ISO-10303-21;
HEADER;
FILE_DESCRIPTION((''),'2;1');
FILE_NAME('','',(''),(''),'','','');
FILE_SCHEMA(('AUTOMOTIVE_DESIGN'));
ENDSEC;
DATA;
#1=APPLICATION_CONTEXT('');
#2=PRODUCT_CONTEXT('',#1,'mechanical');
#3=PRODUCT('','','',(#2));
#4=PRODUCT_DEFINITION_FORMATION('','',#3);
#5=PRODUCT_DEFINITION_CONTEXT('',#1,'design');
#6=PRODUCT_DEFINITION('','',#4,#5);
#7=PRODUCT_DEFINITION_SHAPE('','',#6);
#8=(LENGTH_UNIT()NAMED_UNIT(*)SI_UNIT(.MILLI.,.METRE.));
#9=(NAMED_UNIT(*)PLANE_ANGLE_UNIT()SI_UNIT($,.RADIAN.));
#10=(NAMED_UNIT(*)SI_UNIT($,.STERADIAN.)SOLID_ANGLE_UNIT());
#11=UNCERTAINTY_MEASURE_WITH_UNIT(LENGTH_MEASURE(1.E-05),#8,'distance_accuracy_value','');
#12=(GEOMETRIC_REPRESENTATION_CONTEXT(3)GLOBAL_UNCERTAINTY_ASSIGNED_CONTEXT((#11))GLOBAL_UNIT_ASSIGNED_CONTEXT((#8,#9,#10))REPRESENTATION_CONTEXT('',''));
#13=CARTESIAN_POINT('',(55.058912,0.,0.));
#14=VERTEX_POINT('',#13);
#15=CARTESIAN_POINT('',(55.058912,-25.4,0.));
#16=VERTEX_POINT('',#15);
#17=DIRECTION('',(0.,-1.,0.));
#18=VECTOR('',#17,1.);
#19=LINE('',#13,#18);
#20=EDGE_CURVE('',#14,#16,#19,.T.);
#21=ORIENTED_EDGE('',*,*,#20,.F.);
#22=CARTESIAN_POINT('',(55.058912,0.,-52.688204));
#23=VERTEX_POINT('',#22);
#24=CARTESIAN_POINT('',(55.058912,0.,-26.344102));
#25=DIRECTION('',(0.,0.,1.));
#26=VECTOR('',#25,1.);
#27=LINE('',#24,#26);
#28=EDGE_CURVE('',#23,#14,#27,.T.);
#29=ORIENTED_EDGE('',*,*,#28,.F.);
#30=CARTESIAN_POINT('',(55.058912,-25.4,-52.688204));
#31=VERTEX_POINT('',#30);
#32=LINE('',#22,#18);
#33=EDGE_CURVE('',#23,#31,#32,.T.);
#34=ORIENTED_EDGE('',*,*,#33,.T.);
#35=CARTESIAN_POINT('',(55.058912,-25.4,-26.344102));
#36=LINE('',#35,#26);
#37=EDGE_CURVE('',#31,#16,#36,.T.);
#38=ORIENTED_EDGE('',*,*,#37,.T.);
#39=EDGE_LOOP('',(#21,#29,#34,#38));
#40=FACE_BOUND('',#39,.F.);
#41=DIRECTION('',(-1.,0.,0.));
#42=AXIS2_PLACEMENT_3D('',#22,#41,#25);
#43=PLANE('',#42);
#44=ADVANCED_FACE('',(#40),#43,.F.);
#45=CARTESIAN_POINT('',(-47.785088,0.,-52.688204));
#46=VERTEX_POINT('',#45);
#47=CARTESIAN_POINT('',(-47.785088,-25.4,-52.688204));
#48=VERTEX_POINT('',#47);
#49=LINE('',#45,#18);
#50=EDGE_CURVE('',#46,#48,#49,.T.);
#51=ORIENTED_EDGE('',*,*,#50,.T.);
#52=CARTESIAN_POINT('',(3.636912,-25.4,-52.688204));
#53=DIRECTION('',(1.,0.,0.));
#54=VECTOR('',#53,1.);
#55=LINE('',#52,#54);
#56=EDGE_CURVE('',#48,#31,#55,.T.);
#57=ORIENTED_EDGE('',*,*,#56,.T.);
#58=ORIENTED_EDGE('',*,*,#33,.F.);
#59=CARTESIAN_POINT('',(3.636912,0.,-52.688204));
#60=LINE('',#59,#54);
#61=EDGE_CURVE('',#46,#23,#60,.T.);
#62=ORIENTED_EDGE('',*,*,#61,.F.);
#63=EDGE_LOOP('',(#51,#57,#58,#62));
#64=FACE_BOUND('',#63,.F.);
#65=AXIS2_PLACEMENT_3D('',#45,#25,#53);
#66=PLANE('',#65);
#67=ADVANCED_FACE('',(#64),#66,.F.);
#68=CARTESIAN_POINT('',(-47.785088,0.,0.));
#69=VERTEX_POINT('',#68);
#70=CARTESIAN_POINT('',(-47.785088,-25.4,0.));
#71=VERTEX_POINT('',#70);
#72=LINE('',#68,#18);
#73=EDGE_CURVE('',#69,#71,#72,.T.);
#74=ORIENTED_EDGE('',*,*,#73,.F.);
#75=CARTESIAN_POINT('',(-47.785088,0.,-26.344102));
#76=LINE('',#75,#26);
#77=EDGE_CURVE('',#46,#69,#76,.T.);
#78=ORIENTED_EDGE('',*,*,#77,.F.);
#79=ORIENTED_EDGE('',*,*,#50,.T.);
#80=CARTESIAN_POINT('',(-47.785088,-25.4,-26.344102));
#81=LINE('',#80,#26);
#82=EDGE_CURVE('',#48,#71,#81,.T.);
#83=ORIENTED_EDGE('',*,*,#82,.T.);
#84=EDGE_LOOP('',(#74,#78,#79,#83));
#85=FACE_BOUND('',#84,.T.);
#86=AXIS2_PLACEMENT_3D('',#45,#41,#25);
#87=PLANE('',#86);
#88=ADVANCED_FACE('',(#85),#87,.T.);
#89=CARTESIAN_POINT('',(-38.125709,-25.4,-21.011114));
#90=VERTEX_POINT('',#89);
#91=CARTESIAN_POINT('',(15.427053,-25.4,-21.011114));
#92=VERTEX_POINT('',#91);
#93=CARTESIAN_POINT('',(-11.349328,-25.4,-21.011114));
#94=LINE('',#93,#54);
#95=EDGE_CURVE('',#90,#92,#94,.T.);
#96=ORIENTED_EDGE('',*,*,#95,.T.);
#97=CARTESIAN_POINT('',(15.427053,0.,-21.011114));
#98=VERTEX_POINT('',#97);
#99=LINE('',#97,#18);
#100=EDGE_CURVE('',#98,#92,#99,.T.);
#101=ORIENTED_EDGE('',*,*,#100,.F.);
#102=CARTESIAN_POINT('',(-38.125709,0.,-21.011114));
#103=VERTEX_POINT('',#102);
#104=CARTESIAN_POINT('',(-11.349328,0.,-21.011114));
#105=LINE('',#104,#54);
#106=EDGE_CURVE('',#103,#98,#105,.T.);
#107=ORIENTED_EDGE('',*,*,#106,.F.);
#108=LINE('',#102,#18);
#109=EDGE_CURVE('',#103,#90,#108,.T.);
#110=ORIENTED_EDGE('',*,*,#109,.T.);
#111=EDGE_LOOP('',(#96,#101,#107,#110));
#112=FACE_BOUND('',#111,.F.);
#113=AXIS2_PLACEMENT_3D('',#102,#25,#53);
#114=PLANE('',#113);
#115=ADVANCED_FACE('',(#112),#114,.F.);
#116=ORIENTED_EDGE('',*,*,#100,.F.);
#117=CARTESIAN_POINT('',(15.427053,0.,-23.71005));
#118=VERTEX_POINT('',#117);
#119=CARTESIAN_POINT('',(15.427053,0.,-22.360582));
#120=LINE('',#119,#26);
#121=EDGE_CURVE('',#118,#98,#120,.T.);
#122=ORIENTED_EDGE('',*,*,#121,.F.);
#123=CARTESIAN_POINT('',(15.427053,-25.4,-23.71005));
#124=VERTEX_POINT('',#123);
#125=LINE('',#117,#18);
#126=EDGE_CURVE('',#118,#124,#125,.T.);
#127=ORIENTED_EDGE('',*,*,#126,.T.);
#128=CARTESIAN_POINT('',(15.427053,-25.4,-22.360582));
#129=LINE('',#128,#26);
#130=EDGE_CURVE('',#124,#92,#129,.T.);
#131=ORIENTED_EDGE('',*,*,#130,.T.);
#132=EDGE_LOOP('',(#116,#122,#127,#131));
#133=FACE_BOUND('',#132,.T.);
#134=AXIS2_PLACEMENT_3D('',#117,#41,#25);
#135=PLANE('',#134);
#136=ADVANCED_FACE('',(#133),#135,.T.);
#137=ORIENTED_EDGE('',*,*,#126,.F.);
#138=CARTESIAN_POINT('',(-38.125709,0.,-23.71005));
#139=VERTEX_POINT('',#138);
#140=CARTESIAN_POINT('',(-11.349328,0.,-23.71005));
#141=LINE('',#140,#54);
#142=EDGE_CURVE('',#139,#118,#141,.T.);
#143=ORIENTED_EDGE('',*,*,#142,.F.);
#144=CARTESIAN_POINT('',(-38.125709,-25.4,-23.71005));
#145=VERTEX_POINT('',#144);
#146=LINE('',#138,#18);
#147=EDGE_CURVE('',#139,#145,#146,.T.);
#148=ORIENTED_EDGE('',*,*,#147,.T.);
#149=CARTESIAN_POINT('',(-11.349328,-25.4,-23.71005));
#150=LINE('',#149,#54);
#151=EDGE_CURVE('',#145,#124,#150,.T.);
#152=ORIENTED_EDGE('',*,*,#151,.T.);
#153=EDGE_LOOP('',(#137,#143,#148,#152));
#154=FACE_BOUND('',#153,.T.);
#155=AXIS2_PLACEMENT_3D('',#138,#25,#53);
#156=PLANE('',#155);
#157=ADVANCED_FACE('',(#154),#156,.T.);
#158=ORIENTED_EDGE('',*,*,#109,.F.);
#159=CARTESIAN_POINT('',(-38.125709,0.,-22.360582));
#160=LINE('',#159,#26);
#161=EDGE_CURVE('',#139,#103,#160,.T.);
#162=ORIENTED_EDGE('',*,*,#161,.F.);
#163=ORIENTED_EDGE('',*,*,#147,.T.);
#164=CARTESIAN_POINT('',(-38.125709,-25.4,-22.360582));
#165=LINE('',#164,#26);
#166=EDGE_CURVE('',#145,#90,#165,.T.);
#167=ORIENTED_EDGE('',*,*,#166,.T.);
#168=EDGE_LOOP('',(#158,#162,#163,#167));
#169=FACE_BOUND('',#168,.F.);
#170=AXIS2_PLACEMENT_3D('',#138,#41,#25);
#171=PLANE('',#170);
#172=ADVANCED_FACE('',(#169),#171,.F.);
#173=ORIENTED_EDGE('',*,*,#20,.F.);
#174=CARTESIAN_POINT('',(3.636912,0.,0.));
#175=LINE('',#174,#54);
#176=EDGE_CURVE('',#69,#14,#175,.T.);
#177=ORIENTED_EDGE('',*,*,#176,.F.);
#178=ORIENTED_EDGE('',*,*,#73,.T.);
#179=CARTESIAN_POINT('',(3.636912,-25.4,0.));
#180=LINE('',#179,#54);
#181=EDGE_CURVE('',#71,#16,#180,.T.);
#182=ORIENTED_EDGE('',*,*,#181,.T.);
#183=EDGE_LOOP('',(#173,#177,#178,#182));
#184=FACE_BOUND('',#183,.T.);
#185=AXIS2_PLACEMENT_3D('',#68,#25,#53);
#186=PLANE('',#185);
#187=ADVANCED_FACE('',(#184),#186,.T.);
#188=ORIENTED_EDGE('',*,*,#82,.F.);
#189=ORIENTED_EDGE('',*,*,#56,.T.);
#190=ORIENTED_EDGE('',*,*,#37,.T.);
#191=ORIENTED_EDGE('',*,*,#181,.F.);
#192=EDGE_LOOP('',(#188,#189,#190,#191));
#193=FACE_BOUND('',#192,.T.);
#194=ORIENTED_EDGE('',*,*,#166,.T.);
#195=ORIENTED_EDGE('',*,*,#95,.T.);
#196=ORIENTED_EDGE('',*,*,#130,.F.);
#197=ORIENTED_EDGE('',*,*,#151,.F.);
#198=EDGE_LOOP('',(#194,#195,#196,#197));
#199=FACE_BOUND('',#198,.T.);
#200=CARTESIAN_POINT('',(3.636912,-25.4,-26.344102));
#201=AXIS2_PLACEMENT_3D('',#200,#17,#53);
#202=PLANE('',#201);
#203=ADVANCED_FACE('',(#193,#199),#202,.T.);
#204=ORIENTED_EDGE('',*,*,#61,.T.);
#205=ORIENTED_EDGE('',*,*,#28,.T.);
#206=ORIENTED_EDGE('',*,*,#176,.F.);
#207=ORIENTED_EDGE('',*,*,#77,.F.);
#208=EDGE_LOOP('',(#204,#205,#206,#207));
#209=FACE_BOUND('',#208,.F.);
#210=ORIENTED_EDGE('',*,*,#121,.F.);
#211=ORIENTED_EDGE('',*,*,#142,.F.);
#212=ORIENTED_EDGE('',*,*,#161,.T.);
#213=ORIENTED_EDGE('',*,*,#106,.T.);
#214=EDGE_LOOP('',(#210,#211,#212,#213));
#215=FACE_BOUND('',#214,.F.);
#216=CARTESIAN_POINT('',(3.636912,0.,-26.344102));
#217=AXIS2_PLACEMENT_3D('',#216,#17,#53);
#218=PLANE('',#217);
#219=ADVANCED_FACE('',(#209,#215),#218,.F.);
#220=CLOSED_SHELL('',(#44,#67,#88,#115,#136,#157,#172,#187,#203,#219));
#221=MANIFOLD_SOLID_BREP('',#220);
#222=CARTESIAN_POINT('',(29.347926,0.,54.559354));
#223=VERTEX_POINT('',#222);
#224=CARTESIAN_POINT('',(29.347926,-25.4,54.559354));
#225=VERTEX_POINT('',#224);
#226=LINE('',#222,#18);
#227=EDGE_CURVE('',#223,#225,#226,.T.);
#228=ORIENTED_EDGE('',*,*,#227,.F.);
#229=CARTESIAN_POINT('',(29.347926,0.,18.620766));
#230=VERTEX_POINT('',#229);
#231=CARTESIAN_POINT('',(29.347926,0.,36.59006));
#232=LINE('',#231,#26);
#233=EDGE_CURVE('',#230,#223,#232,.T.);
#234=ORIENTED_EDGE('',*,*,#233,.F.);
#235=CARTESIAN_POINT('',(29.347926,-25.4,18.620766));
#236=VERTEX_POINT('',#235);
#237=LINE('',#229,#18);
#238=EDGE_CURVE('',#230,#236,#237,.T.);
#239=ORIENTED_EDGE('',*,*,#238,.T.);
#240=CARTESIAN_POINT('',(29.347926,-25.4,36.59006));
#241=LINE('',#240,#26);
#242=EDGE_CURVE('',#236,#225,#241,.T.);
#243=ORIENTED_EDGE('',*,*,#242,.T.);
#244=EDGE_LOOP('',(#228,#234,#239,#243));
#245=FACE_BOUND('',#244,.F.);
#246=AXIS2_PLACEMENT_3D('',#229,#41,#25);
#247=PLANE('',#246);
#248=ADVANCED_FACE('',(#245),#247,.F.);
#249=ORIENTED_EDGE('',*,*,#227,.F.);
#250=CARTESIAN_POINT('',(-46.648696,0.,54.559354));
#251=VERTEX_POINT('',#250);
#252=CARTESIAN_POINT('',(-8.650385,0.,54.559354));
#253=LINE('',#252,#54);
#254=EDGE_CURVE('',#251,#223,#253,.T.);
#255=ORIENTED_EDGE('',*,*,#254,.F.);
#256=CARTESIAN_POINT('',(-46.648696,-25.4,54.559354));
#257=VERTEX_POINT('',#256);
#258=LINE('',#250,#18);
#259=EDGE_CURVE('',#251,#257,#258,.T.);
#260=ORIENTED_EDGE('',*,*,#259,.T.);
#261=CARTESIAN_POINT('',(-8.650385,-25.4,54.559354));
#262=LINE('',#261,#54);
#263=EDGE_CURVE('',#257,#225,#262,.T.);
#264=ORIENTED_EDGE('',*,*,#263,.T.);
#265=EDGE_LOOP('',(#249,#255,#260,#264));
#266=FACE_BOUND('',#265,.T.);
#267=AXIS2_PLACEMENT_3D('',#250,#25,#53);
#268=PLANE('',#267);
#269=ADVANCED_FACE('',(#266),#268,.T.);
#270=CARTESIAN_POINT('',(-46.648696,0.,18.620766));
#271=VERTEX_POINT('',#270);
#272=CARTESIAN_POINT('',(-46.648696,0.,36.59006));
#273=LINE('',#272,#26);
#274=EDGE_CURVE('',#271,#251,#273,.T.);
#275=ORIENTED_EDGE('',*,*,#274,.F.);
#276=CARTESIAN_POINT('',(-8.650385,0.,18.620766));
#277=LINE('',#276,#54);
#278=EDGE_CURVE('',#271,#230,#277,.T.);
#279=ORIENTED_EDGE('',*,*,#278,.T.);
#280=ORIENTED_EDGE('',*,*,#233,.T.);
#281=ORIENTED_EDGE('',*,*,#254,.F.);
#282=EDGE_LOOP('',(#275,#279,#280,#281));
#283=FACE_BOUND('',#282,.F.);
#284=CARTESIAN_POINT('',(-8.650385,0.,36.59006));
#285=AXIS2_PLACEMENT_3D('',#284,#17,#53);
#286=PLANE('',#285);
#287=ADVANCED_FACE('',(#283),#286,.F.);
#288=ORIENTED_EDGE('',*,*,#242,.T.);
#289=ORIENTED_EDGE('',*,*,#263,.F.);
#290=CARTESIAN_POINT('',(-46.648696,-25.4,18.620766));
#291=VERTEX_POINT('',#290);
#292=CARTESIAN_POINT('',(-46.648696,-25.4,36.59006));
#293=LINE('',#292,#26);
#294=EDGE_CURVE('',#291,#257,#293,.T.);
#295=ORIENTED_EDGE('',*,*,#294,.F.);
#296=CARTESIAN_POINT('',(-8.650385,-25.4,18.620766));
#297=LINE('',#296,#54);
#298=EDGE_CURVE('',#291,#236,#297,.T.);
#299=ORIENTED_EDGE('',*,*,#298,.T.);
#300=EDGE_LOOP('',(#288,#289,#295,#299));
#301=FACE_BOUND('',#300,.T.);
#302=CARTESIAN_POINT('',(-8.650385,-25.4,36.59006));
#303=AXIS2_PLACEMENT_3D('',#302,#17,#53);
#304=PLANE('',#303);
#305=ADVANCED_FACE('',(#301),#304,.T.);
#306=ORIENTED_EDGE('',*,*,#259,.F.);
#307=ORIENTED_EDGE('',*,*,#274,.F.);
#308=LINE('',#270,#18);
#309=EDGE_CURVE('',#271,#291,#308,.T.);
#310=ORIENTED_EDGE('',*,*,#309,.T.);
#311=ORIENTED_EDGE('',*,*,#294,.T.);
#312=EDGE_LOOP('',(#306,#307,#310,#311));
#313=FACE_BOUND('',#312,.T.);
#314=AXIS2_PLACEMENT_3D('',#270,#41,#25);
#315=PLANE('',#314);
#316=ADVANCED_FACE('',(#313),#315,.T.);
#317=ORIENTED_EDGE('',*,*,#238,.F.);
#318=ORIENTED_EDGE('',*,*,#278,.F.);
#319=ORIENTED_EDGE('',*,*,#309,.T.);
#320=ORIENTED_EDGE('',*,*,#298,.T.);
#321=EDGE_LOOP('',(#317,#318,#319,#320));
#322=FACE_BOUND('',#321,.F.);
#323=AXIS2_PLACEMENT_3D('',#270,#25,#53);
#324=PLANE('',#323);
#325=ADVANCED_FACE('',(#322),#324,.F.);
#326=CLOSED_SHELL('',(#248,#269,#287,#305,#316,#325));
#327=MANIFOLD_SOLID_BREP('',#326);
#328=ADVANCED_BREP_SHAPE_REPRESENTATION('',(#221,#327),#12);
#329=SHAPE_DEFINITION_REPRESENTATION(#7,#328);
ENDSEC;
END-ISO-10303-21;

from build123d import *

# Parameters (mm, degrees)
F0_W     = 75.996622
F0_H     = 35.938587
F0_W_2   = 102.843999
F0_H_2   = 52.688204
F0_W_3   = 53.552762
F0_H_3   = 2.698936
F1_DEPTH = 25.4


with BuildPart() as f1:
    # F0 (on Front) → F1 (new body)
    with BuildSketch(Plane.XZ):
        with Locations((-8.650385, 36.59006)):
            Rectangle(F0_W, F0_H)
        with Locations((3.636912, -26.344102)):
            Rectangle(F0_W_2, F0_H_2)
        with Locations((-11.349328, -22.360582)):
            Rectangle(F0_W_3, F0_H_3, mode=Mode.SUBTRACT)
    extrude(amount=F1_DEPTH)


solid = f1.part
